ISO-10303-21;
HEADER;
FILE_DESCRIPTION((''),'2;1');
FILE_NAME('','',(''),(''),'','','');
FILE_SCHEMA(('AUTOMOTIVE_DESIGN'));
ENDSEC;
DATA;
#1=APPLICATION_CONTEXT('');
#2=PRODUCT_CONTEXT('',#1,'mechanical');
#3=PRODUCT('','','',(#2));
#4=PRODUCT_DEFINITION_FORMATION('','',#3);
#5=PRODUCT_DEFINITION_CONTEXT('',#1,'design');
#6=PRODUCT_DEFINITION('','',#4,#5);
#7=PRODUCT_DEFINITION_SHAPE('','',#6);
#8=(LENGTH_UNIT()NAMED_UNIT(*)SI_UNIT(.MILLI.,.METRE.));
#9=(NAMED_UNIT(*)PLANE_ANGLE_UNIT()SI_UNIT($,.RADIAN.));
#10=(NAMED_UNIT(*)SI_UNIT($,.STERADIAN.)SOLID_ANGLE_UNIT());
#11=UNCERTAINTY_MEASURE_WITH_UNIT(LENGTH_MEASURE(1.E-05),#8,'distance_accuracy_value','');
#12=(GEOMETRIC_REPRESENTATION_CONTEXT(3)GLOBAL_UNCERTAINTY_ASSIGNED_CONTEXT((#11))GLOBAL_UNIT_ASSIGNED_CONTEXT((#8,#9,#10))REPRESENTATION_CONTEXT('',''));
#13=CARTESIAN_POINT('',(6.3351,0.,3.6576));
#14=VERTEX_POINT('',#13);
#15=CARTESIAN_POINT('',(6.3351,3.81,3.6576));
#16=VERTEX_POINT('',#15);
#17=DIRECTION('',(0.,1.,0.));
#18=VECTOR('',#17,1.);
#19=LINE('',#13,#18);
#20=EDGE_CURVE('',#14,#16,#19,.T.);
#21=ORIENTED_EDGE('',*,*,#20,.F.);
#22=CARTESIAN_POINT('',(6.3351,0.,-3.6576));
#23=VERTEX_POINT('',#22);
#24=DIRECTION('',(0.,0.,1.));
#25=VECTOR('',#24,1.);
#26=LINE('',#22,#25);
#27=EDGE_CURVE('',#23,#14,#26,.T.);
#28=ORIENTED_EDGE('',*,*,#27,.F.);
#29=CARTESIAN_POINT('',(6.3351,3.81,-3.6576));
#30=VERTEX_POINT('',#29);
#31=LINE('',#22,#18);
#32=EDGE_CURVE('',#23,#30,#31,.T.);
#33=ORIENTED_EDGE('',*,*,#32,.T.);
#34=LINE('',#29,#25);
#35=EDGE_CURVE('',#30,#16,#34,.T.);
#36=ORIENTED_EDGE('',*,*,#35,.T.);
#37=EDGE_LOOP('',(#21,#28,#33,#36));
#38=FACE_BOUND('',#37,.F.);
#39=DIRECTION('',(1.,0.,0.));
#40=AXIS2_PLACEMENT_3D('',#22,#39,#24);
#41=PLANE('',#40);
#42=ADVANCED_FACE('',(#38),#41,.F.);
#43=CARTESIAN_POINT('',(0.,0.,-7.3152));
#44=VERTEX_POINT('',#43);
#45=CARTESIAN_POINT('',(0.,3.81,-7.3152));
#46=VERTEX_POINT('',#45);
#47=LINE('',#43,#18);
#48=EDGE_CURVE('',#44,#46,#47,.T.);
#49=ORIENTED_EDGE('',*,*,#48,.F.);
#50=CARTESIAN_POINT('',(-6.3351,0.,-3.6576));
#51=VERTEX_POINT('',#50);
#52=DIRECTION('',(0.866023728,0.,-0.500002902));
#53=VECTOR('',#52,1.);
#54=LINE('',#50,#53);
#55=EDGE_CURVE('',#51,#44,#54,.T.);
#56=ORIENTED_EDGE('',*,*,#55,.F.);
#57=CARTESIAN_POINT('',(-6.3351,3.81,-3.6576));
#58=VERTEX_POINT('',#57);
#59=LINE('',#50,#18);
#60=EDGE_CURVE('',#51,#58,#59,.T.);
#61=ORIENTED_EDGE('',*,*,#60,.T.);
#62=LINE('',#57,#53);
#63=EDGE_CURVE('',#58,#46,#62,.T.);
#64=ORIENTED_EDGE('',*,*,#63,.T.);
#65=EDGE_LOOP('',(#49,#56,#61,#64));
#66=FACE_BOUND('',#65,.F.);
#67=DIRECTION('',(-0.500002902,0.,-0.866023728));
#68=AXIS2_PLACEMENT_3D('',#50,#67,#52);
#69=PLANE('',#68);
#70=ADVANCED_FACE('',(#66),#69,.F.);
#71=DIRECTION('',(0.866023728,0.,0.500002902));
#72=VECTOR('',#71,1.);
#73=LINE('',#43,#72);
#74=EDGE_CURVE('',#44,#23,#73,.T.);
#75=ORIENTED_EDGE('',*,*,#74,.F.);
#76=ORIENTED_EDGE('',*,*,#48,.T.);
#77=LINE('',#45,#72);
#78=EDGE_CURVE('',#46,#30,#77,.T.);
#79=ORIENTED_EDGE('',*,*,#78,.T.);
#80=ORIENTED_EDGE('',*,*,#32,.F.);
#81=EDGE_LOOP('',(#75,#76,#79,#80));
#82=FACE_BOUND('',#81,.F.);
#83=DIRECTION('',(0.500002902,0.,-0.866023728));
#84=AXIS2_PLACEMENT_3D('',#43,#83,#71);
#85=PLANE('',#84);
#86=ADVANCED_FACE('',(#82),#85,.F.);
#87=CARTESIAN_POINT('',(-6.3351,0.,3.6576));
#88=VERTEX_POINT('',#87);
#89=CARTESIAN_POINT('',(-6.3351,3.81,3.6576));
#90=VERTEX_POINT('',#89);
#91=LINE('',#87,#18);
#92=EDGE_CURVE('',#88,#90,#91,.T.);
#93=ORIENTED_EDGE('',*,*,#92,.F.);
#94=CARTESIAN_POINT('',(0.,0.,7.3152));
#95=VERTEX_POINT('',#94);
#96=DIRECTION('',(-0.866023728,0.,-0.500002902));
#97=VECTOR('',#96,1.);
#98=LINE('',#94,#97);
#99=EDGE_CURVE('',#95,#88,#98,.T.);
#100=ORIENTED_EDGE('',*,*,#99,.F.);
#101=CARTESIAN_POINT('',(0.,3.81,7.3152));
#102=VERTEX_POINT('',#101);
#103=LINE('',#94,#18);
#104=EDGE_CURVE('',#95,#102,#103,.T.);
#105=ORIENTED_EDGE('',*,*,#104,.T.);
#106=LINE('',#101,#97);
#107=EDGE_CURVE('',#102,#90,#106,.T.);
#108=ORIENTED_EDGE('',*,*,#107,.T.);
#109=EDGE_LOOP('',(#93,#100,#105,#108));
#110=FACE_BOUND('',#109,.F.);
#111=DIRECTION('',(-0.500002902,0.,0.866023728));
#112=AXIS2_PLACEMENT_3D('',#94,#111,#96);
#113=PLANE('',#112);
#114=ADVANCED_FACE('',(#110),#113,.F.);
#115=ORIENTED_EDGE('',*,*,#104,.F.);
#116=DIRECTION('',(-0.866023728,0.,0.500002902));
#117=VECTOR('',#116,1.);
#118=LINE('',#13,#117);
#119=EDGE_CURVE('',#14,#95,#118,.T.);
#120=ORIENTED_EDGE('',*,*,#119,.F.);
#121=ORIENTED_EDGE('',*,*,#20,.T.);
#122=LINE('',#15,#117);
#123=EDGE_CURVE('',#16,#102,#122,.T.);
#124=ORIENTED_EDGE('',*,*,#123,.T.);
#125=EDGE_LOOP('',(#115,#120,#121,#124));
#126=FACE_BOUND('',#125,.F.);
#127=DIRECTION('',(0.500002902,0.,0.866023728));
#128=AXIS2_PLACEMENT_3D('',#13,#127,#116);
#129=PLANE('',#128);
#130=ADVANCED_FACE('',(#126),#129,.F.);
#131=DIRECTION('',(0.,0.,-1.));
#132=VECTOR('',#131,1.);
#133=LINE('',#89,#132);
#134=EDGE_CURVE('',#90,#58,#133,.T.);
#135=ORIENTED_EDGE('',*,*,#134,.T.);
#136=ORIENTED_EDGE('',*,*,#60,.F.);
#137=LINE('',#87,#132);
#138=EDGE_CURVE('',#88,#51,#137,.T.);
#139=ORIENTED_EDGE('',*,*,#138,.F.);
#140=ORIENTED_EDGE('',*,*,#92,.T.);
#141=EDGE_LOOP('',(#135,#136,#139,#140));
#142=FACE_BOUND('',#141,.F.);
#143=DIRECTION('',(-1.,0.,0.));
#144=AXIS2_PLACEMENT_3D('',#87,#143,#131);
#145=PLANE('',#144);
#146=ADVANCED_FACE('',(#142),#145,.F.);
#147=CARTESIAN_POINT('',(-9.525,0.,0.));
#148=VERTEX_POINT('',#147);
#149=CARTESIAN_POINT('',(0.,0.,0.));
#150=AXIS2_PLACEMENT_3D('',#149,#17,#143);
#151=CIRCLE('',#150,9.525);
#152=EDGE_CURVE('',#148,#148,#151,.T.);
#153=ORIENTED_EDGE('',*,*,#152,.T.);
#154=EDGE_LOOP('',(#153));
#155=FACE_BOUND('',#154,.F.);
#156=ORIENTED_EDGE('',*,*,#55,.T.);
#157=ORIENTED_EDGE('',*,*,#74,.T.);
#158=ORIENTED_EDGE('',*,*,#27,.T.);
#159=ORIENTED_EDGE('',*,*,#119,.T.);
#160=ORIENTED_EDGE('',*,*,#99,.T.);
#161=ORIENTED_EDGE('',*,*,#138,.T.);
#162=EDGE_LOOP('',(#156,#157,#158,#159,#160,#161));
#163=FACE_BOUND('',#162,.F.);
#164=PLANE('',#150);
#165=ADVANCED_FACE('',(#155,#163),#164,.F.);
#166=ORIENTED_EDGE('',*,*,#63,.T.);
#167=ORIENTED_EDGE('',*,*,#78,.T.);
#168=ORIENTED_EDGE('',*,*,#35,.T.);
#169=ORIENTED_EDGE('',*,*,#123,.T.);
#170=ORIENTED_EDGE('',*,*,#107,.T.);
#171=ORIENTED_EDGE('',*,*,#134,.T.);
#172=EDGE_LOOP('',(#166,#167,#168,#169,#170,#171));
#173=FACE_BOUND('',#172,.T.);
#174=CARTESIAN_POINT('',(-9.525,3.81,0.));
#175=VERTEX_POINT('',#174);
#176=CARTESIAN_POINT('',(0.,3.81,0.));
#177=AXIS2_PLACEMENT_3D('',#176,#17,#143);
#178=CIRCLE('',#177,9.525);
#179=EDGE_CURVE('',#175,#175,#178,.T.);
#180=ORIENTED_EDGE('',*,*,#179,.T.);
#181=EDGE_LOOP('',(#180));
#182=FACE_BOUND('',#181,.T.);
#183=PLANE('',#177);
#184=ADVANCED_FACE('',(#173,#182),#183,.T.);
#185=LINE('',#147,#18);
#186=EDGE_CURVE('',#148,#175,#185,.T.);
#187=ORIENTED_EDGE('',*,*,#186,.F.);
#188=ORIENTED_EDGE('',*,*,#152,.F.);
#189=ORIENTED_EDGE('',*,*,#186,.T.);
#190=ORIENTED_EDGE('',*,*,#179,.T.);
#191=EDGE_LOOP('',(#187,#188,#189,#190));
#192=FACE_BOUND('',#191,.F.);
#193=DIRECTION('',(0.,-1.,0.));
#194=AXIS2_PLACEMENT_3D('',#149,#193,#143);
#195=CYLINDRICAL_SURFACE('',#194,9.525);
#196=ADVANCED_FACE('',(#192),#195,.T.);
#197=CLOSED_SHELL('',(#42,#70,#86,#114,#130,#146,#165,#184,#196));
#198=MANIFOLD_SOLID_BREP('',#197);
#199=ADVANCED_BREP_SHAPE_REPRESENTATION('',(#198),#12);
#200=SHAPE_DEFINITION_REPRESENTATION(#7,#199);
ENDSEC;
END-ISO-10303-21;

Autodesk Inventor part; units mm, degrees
ref_plane "YZ Plane" through (0, 0, 0) normal (1, 0, 0) x (0, 1, 0)
ref_plane "XZ Plane" through (0, 0, 0) normal (0, 1, 0) x (-1, 0, 0)
ref_plane "XY Plane" through (0, 0, 0) normal (0, 0, 1) x (1, 0, 0)
sketch "Sketch1" plane through (0, 0, 0) normal (0, 1, 0) x (-1, 0, 0)
  circle A0 centre (0, 0) radius 9.525
  line L0 (0, -7.3152) -> (-6.3351, -3.6576)
  line L1 (-6.3351, -3.6576) -> (-6.3351, 3.6576)
  line L2 (-6.3351, 3.6576) -> (0, 7.3152)
  line L3 (0, 7.3152) -> (6.3351, 3.6576)
  line L4 (6.3351, 3.6576) -> (6.3351, -3.6576)
  line L5 (6.3351, -3.6576) -> (0, -7.3152)
  dimension "d0" = 19.05
  dimension "d1" = 7.3152
extrude "Extrusion1" add sketch "Sketch1" along normal blind 3.81
